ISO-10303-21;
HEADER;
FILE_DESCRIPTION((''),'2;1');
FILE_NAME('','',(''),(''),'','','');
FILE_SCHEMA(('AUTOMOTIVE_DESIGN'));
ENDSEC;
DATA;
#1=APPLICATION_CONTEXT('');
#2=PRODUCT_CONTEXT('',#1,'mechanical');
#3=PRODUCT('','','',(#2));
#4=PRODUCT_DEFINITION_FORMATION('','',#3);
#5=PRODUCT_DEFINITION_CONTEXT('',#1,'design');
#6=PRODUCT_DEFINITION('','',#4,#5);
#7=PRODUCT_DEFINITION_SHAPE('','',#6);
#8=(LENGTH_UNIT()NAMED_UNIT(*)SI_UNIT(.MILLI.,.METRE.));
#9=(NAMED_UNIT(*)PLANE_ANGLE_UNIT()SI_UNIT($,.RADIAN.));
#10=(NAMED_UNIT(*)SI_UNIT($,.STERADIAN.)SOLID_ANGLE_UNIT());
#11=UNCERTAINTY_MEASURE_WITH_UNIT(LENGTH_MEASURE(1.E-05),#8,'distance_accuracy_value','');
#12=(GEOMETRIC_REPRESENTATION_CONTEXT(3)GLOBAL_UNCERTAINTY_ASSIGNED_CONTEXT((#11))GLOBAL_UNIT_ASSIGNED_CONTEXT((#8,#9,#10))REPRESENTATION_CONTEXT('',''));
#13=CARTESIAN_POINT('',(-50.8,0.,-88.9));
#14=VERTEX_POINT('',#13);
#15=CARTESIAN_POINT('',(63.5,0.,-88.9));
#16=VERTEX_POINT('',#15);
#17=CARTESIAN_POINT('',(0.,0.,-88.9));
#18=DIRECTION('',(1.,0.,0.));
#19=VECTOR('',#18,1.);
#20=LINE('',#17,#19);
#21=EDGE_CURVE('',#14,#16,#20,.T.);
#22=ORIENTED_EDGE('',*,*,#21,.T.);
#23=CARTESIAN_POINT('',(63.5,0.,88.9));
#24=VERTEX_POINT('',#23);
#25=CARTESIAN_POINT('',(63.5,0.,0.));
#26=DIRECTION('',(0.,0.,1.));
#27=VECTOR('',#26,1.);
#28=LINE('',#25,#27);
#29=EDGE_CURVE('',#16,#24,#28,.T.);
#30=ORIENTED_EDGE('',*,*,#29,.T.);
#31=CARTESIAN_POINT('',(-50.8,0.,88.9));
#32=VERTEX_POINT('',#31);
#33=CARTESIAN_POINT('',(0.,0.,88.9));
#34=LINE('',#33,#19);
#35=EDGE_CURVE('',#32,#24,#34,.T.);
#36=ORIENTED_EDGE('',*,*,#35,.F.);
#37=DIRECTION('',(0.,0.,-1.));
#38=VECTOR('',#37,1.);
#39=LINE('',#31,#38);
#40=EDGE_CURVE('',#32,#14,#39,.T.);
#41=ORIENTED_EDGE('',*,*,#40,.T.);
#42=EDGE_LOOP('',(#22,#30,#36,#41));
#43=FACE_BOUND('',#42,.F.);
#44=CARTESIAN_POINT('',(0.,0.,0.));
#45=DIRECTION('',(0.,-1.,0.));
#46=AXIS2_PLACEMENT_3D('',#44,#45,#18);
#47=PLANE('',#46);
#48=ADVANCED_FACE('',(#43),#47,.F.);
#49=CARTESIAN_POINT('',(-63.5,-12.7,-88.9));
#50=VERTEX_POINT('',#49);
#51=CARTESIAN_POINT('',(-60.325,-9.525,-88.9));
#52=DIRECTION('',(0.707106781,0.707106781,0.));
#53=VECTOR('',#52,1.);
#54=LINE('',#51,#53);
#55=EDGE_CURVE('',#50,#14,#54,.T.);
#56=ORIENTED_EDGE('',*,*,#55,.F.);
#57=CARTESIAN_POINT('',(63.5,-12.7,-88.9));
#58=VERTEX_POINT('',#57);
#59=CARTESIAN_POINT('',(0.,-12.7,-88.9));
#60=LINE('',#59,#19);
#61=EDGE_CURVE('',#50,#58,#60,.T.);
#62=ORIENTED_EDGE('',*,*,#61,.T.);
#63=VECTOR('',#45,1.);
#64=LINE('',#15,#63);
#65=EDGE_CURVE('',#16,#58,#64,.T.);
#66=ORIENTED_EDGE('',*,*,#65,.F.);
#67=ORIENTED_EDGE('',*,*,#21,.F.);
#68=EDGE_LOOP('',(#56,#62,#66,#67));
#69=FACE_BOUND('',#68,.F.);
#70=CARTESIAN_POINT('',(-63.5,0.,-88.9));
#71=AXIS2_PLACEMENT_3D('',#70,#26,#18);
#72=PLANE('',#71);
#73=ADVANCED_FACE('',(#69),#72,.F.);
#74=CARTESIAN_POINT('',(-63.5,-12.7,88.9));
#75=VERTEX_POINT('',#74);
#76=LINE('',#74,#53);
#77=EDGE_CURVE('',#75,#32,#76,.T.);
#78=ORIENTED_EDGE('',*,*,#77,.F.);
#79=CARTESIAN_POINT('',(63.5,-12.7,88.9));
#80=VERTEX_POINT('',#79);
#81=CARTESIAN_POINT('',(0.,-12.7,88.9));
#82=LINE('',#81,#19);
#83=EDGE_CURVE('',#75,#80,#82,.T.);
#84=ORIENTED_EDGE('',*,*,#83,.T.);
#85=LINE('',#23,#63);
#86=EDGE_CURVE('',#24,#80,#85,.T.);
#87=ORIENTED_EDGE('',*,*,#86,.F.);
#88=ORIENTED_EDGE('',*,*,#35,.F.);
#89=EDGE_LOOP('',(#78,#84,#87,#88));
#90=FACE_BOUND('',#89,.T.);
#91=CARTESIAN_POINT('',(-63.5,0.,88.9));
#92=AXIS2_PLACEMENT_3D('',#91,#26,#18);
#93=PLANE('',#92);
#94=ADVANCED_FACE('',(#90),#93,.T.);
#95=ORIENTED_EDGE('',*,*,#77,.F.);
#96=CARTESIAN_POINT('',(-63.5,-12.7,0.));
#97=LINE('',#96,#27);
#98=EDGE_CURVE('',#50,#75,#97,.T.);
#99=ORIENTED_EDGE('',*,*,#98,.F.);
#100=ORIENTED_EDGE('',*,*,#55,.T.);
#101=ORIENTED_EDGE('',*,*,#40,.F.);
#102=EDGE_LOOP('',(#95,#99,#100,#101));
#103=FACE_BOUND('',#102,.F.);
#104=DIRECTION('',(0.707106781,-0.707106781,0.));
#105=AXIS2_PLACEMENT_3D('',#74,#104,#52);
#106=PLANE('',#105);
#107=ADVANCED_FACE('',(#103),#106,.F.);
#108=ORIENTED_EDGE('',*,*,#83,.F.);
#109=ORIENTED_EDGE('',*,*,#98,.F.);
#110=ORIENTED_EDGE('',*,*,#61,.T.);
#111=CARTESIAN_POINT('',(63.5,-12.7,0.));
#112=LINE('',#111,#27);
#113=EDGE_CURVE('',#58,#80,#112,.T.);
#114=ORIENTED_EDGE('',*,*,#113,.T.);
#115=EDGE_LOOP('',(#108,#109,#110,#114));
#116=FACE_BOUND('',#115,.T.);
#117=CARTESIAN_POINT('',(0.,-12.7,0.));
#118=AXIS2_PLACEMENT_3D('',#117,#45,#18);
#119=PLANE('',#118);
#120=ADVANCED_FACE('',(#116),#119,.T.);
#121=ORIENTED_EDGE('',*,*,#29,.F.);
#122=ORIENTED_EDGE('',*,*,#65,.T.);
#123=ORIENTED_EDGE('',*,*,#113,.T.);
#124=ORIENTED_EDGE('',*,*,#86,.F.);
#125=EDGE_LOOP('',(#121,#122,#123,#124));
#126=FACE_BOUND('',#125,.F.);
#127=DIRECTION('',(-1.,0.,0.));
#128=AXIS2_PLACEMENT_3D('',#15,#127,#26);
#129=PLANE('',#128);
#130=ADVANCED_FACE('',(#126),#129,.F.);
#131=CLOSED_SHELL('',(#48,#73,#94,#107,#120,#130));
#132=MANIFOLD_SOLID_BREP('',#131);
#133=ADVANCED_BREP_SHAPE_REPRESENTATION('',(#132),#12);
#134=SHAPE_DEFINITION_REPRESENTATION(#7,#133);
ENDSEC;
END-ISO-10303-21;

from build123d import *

# Parameters (mm, degrees)
F0_W     = 127
F0_H     = 177.8
F1_DEPTH = 12.7
F3_DEPTH = 177.801


with BuildPart() as f1:
    # F0 (on Front) → F1 (new body)
    with BuildSketch(Plane.XZ):
        Rectangle(F0_W, F0_H)
    extrude(amount=F1_DEPTH)

    # F2 (on face) → F3 (cut, through all)
    with BuildSketch(Plane.XY.offset(88.9)):
        Polygon((-63.5, -12.7), (-50.8, 0), (-63.5, 0), align=None)
    extrude(amount=-F3_DEPTH, mode=Mode.SUBTRACT)


solid = f1.part
